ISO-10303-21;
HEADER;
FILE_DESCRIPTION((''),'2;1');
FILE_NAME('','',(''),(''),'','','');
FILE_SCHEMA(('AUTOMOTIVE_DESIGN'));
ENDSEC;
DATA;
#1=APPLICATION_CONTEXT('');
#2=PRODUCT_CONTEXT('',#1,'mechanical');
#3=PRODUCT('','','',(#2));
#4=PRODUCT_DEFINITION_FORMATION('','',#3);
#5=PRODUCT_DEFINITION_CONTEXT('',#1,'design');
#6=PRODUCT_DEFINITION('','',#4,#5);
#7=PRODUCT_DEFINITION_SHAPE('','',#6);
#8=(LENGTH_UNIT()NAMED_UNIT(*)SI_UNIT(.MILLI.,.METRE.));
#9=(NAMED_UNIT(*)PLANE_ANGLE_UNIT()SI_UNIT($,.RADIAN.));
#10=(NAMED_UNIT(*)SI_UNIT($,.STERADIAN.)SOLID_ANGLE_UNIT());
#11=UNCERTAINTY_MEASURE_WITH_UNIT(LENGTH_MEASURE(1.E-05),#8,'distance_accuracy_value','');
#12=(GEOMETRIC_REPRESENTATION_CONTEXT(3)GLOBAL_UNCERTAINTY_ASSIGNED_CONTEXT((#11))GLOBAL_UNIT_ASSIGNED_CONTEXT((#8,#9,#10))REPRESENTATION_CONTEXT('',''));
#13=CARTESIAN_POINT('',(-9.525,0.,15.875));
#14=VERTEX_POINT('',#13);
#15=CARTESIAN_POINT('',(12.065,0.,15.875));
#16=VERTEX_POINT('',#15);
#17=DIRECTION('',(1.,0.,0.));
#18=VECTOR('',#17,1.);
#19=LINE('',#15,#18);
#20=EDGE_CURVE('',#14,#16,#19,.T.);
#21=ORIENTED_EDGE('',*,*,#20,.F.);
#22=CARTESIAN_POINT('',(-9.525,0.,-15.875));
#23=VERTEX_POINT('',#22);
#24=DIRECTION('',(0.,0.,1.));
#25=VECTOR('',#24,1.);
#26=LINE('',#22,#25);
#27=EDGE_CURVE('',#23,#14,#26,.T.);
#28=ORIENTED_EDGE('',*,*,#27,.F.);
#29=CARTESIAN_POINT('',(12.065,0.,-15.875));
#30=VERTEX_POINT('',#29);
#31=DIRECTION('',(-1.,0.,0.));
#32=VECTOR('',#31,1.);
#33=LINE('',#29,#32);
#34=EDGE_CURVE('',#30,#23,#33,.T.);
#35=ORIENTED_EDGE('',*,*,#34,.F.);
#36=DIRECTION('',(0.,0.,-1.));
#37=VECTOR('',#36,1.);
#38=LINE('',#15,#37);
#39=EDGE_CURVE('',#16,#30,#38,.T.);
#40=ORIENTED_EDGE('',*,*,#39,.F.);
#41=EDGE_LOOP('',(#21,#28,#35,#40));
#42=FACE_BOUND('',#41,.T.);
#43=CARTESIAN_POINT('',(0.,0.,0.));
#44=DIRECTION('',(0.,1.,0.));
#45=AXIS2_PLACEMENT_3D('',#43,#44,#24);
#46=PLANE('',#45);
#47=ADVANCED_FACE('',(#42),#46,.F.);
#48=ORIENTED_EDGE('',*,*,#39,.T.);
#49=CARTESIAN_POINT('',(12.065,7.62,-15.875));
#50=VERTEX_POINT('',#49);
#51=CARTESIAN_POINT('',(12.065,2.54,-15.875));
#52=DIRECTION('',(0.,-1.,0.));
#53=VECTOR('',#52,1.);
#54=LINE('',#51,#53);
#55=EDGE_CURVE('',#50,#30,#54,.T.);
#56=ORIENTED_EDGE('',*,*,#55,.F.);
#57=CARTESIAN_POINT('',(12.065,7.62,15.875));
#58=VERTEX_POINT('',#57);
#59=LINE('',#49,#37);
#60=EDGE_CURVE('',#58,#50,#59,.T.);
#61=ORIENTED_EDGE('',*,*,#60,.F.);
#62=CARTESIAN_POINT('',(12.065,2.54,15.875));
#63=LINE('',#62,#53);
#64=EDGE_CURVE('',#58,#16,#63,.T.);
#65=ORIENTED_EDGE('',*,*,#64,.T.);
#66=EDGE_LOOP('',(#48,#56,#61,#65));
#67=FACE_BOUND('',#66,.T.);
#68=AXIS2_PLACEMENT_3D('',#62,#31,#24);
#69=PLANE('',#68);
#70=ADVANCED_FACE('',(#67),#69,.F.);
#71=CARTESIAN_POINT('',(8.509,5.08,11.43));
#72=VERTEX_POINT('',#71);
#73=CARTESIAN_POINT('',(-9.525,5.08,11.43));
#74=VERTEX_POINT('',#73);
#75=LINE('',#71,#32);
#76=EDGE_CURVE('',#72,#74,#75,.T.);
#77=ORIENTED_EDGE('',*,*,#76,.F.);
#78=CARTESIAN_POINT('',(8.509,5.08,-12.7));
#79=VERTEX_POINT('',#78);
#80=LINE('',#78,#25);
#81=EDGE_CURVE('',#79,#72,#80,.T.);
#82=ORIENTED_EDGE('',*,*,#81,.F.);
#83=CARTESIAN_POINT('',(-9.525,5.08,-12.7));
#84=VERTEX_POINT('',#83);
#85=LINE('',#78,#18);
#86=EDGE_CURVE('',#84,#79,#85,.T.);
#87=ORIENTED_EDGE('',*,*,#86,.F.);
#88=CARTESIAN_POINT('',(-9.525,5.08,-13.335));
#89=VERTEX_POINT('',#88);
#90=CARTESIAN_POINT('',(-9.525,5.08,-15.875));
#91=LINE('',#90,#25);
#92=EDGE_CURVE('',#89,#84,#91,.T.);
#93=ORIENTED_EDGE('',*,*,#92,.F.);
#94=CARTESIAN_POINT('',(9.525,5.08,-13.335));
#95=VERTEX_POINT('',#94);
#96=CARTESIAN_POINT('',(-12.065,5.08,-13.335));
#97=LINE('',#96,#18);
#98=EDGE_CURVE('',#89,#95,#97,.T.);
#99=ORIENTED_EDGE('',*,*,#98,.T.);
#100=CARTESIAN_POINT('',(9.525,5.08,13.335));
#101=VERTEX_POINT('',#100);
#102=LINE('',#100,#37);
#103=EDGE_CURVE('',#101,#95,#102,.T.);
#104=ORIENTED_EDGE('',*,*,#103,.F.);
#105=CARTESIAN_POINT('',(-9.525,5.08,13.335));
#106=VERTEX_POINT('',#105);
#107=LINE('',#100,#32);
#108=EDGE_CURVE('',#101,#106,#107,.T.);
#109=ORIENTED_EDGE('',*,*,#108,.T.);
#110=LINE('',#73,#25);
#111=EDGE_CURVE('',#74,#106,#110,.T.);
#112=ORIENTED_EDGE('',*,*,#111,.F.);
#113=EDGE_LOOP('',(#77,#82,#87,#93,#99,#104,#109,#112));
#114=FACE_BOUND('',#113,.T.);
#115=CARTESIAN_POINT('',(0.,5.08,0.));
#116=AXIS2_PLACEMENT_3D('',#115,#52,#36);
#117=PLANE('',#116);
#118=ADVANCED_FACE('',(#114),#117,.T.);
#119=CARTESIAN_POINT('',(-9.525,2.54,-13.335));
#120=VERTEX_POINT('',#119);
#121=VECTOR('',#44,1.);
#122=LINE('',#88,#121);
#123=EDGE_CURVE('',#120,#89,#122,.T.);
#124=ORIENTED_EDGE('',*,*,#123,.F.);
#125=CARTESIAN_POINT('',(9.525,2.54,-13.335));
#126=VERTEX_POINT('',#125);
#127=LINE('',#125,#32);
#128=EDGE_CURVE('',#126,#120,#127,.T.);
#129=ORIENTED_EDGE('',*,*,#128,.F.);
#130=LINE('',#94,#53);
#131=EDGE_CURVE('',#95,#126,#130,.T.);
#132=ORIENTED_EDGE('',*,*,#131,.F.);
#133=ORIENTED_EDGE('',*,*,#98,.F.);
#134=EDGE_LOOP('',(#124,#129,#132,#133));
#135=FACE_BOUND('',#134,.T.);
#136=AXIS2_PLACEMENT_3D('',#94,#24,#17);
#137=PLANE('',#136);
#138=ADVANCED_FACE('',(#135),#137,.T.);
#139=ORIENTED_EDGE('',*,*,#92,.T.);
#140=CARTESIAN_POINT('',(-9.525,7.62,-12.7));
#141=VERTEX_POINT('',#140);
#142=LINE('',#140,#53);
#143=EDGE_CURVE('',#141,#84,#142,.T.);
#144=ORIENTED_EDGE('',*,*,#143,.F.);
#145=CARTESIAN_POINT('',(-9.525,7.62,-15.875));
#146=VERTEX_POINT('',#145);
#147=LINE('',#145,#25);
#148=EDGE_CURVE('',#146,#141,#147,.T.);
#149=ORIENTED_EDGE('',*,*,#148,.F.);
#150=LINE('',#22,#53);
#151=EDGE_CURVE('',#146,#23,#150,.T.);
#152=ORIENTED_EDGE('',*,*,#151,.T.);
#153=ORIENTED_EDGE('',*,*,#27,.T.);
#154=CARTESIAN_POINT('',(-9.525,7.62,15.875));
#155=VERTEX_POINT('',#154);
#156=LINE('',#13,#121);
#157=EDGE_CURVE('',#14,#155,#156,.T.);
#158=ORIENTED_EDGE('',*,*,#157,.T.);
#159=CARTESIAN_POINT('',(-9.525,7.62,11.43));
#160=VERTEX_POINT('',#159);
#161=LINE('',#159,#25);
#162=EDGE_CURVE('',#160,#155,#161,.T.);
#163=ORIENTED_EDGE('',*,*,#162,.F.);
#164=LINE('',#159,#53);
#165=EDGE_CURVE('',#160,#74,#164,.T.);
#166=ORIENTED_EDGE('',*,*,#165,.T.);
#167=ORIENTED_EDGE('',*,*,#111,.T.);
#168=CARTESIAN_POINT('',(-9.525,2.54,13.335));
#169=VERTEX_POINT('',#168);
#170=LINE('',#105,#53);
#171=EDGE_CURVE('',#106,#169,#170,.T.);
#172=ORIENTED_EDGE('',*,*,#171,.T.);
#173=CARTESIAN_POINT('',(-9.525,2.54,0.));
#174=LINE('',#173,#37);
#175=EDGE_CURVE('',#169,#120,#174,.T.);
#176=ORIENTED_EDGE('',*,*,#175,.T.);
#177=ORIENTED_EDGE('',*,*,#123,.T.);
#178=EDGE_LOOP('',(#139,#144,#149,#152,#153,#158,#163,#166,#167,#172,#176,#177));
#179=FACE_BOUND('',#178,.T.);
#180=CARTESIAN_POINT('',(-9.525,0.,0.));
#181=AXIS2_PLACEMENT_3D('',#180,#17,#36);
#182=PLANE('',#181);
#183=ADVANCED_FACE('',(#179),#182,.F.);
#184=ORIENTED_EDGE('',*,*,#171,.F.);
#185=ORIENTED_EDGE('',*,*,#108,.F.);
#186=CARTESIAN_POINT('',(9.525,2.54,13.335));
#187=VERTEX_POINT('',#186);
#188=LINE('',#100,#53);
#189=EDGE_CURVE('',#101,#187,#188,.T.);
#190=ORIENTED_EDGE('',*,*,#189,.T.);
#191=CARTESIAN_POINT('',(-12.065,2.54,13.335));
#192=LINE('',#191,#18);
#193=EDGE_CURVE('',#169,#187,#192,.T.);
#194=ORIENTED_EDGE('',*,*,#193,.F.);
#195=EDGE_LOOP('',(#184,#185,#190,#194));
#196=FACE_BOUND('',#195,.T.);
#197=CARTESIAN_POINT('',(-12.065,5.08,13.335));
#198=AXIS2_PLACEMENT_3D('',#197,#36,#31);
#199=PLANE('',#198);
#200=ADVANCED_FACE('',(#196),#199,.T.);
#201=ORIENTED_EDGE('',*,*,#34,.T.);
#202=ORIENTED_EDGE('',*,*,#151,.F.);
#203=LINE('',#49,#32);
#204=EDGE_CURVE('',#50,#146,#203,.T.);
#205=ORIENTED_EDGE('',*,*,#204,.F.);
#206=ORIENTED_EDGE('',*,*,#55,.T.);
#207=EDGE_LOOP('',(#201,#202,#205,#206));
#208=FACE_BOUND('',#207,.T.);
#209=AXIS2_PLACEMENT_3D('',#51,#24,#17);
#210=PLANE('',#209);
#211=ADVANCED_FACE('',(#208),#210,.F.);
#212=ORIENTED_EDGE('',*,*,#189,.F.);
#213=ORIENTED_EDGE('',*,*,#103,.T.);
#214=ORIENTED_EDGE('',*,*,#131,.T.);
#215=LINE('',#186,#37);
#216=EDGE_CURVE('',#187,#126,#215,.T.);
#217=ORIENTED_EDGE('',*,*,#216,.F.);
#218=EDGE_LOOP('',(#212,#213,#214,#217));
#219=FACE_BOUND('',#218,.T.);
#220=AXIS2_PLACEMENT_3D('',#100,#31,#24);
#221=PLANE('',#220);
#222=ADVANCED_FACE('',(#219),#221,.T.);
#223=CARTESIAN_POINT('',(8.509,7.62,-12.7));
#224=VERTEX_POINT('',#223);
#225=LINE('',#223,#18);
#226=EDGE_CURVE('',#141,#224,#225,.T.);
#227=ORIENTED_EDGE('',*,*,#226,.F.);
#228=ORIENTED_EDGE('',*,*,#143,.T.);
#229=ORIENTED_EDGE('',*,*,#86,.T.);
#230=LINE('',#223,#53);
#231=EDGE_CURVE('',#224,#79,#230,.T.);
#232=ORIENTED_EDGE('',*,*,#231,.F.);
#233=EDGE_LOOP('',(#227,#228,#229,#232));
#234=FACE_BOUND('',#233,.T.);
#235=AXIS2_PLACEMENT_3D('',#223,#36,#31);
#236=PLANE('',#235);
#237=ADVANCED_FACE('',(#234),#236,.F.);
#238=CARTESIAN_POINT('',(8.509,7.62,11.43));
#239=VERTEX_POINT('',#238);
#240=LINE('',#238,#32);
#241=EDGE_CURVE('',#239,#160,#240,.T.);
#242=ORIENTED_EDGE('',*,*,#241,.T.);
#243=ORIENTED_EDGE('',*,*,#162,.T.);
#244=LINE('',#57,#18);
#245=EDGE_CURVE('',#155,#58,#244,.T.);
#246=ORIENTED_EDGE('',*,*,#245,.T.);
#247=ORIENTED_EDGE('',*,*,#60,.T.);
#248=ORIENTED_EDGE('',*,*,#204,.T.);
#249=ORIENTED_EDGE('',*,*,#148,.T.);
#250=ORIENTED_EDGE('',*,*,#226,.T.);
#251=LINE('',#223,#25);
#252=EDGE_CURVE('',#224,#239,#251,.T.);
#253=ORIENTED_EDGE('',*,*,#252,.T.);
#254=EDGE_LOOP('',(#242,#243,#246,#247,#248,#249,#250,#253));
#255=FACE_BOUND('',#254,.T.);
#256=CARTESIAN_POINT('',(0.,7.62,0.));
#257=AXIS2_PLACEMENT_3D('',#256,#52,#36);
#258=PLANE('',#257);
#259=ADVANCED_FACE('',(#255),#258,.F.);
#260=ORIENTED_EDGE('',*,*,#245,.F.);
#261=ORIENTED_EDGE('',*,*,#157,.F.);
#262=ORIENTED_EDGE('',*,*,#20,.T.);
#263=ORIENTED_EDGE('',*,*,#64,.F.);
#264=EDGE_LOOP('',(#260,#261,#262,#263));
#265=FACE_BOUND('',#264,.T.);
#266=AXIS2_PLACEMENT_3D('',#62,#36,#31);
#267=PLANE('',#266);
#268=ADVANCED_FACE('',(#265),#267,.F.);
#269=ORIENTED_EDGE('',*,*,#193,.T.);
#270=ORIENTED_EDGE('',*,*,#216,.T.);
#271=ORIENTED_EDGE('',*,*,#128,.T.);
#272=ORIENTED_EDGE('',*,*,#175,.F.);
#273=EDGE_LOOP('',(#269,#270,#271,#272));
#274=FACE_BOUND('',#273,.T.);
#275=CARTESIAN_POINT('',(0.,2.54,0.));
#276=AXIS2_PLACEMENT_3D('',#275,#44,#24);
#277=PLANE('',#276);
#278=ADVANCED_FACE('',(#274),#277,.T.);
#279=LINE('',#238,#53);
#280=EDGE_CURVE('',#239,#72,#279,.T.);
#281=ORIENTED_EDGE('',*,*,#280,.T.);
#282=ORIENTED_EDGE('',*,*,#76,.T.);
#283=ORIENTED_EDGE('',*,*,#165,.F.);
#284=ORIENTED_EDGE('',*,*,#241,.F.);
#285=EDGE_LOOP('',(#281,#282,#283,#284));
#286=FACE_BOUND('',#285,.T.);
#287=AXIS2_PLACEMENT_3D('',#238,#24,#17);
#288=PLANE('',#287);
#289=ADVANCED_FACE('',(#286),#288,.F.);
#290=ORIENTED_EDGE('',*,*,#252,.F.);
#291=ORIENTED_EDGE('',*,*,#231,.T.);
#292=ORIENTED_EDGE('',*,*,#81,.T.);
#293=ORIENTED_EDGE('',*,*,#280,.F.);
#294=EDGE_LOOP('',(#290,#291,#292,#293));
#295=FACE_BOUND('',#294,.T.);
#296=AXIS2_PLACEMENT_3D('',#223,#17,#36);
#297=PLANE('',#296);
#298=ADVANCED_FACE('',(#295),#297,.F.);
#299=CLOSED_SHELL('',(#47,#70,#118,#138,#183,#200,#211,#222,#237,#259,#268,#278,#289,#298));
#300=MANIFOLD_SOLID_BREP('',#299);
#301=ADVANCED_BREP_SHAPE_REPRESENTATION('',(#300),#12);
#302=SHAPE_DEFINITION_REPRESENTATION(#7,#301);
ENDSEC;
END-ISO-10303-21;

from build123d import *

# Parameters (mm, degrees)
SKETCH1_W           = 24.13
SKETCH1_H           = 31.75
BOSS_EXTRUDE1_DEPTH = 2.54
BOSS_EXTRUDE2_DEPTH = 2.54
SKETCH3_W           = 31.75
SKETCH3_H           = 5.08
CUT_EXTRUDE1_DEPTH  = 2.54
BOSS_EXTRUDE3_DEPTH = 2.54
SKETCH5_R           = 2.5527
BOSS_EXTRUDE4_DEPTH = 2.54


with BuildPart() as part:
    # Sketch1 → Boss-Extrude1 (new body)
    with BuildSketch(Plane(origin=(0, 0, 0), x_dir=(1, 0, 0), z_dir=(0, 1, 0))):
        Rectangle(SKETCH1_W, SKETCH1_H)
    extrude(amount=BOSS_EXTRUDE1_DEPTH)

    # Sketch2 → Boss-Extrude2 (add)
    with BuildSketch(Plane(origin=(0, 2.54, 0), x_dir=(1, 0, 0), z_dir=(0, 1, 0))):
        Polygon((-12.065, 15.875), (-12.065, 13.335), (-9.525, 13.335), (9.525, 13.335), (9.525, -13.335), (-9.525, -13.335), (-12.065, -13.335), (-12.065, -15.875), (12.065, -15.875), (12.065, 15.875), align=None)
    extrude(amount=BOSS_EXTRUDE2_DEPTH)

    # Sketch3 → Cut-Extrude1 (cut)
    with BuildSketch(Plane.ZY.offset(12.065)):
        with Locations((0, 2.54)):
            Rectangle(SKETCH3_W, SKETCH3_H)
    extrude(amount=-CUT_EXTRUDE1_DEPTH, mode=Mode.SUBTRACT)

    # Sketch4 → Boss-Extrude3 (add)
    with BuildSketch(Plane(origin=(0, 5.08, 0), x_dir=(1, 0, 0), z_dir=(0, 1, 0))):
        Polygon((-9.525, 15.875), (-9.525, 12.7), (8.509, 12.7), (8.509, -11.43), (-9.525, -11.43), (-9.525, -15.875), (12.065, -15.875), (12.065, 15.875), align=None)
    extrude(amount=BOSS_EXTRUDE3_DEPTH)

    # Sketch5 → Boss-Extrude4 (add)
    # profile 1 of 2: a face of its own
    with BuildSketch(Plane(origin=(0, 0, 0), x_dir=(-1, 0, 0), z_dir=(0, -1, 0))):
        with BuildLine():
            Line((-12.065, 6.35), (-12.065, -6.35))
            Line((-12.065, -6.35), (-18.415, -6.35))
            ThreePointArc((-18.415, -6.35), (-22.905128061, -4.490128061), (-24.765, 0))
            ThreePointArc((-24.765, 0), (-22.905128061, 4.490128061), (-18.415, 6.35))
            Line((-18.415, 6.35), (-12.065, 6.35))
        make_face()
        with Locations((-18.415, 0)):
            Circle(SKETCH5_R, mode=Mode.SUBTRACT)
    # profile 2 of 2: a face of its own
    with BuildSketch(Plane(origin=(0, 0, 0), x_dir=(-1, 0, 0), z_dir=(0, -1, 0))):
        with BuildLine():
            Line((9.525, 6.35), (15.875, 6.35))
            ThreePointArc((15.875, 6.35), (20.365128061, 4.490128061), (22.225, 0))
            ThreePointArc((22.225, 0), (20.365128061, -4.490128061), (15.875, -6.35))
            Line((15.875, -6.35), (9.525, -6.35))
            Line((9.525, -6.35), (9.525, 6.35))
        make_face()
        with Locations((15.875, 0)):
            Circle(SKETCH5_R, mode=Mode.SUBTRACT)
    extrude(amount=BOSS_EXTRUDE4_DEPTH)


with BuildPart() as boss_extrude4_kept_piece:
    # of the separate pieces the step leaves, the one the design keeps (boss_extrude4_pieces_kept)
    add(part.part.solids().sort_by_distance((12.065, 0, 15.875))[0])


solid = boss_extrude4_kept_piece.part
